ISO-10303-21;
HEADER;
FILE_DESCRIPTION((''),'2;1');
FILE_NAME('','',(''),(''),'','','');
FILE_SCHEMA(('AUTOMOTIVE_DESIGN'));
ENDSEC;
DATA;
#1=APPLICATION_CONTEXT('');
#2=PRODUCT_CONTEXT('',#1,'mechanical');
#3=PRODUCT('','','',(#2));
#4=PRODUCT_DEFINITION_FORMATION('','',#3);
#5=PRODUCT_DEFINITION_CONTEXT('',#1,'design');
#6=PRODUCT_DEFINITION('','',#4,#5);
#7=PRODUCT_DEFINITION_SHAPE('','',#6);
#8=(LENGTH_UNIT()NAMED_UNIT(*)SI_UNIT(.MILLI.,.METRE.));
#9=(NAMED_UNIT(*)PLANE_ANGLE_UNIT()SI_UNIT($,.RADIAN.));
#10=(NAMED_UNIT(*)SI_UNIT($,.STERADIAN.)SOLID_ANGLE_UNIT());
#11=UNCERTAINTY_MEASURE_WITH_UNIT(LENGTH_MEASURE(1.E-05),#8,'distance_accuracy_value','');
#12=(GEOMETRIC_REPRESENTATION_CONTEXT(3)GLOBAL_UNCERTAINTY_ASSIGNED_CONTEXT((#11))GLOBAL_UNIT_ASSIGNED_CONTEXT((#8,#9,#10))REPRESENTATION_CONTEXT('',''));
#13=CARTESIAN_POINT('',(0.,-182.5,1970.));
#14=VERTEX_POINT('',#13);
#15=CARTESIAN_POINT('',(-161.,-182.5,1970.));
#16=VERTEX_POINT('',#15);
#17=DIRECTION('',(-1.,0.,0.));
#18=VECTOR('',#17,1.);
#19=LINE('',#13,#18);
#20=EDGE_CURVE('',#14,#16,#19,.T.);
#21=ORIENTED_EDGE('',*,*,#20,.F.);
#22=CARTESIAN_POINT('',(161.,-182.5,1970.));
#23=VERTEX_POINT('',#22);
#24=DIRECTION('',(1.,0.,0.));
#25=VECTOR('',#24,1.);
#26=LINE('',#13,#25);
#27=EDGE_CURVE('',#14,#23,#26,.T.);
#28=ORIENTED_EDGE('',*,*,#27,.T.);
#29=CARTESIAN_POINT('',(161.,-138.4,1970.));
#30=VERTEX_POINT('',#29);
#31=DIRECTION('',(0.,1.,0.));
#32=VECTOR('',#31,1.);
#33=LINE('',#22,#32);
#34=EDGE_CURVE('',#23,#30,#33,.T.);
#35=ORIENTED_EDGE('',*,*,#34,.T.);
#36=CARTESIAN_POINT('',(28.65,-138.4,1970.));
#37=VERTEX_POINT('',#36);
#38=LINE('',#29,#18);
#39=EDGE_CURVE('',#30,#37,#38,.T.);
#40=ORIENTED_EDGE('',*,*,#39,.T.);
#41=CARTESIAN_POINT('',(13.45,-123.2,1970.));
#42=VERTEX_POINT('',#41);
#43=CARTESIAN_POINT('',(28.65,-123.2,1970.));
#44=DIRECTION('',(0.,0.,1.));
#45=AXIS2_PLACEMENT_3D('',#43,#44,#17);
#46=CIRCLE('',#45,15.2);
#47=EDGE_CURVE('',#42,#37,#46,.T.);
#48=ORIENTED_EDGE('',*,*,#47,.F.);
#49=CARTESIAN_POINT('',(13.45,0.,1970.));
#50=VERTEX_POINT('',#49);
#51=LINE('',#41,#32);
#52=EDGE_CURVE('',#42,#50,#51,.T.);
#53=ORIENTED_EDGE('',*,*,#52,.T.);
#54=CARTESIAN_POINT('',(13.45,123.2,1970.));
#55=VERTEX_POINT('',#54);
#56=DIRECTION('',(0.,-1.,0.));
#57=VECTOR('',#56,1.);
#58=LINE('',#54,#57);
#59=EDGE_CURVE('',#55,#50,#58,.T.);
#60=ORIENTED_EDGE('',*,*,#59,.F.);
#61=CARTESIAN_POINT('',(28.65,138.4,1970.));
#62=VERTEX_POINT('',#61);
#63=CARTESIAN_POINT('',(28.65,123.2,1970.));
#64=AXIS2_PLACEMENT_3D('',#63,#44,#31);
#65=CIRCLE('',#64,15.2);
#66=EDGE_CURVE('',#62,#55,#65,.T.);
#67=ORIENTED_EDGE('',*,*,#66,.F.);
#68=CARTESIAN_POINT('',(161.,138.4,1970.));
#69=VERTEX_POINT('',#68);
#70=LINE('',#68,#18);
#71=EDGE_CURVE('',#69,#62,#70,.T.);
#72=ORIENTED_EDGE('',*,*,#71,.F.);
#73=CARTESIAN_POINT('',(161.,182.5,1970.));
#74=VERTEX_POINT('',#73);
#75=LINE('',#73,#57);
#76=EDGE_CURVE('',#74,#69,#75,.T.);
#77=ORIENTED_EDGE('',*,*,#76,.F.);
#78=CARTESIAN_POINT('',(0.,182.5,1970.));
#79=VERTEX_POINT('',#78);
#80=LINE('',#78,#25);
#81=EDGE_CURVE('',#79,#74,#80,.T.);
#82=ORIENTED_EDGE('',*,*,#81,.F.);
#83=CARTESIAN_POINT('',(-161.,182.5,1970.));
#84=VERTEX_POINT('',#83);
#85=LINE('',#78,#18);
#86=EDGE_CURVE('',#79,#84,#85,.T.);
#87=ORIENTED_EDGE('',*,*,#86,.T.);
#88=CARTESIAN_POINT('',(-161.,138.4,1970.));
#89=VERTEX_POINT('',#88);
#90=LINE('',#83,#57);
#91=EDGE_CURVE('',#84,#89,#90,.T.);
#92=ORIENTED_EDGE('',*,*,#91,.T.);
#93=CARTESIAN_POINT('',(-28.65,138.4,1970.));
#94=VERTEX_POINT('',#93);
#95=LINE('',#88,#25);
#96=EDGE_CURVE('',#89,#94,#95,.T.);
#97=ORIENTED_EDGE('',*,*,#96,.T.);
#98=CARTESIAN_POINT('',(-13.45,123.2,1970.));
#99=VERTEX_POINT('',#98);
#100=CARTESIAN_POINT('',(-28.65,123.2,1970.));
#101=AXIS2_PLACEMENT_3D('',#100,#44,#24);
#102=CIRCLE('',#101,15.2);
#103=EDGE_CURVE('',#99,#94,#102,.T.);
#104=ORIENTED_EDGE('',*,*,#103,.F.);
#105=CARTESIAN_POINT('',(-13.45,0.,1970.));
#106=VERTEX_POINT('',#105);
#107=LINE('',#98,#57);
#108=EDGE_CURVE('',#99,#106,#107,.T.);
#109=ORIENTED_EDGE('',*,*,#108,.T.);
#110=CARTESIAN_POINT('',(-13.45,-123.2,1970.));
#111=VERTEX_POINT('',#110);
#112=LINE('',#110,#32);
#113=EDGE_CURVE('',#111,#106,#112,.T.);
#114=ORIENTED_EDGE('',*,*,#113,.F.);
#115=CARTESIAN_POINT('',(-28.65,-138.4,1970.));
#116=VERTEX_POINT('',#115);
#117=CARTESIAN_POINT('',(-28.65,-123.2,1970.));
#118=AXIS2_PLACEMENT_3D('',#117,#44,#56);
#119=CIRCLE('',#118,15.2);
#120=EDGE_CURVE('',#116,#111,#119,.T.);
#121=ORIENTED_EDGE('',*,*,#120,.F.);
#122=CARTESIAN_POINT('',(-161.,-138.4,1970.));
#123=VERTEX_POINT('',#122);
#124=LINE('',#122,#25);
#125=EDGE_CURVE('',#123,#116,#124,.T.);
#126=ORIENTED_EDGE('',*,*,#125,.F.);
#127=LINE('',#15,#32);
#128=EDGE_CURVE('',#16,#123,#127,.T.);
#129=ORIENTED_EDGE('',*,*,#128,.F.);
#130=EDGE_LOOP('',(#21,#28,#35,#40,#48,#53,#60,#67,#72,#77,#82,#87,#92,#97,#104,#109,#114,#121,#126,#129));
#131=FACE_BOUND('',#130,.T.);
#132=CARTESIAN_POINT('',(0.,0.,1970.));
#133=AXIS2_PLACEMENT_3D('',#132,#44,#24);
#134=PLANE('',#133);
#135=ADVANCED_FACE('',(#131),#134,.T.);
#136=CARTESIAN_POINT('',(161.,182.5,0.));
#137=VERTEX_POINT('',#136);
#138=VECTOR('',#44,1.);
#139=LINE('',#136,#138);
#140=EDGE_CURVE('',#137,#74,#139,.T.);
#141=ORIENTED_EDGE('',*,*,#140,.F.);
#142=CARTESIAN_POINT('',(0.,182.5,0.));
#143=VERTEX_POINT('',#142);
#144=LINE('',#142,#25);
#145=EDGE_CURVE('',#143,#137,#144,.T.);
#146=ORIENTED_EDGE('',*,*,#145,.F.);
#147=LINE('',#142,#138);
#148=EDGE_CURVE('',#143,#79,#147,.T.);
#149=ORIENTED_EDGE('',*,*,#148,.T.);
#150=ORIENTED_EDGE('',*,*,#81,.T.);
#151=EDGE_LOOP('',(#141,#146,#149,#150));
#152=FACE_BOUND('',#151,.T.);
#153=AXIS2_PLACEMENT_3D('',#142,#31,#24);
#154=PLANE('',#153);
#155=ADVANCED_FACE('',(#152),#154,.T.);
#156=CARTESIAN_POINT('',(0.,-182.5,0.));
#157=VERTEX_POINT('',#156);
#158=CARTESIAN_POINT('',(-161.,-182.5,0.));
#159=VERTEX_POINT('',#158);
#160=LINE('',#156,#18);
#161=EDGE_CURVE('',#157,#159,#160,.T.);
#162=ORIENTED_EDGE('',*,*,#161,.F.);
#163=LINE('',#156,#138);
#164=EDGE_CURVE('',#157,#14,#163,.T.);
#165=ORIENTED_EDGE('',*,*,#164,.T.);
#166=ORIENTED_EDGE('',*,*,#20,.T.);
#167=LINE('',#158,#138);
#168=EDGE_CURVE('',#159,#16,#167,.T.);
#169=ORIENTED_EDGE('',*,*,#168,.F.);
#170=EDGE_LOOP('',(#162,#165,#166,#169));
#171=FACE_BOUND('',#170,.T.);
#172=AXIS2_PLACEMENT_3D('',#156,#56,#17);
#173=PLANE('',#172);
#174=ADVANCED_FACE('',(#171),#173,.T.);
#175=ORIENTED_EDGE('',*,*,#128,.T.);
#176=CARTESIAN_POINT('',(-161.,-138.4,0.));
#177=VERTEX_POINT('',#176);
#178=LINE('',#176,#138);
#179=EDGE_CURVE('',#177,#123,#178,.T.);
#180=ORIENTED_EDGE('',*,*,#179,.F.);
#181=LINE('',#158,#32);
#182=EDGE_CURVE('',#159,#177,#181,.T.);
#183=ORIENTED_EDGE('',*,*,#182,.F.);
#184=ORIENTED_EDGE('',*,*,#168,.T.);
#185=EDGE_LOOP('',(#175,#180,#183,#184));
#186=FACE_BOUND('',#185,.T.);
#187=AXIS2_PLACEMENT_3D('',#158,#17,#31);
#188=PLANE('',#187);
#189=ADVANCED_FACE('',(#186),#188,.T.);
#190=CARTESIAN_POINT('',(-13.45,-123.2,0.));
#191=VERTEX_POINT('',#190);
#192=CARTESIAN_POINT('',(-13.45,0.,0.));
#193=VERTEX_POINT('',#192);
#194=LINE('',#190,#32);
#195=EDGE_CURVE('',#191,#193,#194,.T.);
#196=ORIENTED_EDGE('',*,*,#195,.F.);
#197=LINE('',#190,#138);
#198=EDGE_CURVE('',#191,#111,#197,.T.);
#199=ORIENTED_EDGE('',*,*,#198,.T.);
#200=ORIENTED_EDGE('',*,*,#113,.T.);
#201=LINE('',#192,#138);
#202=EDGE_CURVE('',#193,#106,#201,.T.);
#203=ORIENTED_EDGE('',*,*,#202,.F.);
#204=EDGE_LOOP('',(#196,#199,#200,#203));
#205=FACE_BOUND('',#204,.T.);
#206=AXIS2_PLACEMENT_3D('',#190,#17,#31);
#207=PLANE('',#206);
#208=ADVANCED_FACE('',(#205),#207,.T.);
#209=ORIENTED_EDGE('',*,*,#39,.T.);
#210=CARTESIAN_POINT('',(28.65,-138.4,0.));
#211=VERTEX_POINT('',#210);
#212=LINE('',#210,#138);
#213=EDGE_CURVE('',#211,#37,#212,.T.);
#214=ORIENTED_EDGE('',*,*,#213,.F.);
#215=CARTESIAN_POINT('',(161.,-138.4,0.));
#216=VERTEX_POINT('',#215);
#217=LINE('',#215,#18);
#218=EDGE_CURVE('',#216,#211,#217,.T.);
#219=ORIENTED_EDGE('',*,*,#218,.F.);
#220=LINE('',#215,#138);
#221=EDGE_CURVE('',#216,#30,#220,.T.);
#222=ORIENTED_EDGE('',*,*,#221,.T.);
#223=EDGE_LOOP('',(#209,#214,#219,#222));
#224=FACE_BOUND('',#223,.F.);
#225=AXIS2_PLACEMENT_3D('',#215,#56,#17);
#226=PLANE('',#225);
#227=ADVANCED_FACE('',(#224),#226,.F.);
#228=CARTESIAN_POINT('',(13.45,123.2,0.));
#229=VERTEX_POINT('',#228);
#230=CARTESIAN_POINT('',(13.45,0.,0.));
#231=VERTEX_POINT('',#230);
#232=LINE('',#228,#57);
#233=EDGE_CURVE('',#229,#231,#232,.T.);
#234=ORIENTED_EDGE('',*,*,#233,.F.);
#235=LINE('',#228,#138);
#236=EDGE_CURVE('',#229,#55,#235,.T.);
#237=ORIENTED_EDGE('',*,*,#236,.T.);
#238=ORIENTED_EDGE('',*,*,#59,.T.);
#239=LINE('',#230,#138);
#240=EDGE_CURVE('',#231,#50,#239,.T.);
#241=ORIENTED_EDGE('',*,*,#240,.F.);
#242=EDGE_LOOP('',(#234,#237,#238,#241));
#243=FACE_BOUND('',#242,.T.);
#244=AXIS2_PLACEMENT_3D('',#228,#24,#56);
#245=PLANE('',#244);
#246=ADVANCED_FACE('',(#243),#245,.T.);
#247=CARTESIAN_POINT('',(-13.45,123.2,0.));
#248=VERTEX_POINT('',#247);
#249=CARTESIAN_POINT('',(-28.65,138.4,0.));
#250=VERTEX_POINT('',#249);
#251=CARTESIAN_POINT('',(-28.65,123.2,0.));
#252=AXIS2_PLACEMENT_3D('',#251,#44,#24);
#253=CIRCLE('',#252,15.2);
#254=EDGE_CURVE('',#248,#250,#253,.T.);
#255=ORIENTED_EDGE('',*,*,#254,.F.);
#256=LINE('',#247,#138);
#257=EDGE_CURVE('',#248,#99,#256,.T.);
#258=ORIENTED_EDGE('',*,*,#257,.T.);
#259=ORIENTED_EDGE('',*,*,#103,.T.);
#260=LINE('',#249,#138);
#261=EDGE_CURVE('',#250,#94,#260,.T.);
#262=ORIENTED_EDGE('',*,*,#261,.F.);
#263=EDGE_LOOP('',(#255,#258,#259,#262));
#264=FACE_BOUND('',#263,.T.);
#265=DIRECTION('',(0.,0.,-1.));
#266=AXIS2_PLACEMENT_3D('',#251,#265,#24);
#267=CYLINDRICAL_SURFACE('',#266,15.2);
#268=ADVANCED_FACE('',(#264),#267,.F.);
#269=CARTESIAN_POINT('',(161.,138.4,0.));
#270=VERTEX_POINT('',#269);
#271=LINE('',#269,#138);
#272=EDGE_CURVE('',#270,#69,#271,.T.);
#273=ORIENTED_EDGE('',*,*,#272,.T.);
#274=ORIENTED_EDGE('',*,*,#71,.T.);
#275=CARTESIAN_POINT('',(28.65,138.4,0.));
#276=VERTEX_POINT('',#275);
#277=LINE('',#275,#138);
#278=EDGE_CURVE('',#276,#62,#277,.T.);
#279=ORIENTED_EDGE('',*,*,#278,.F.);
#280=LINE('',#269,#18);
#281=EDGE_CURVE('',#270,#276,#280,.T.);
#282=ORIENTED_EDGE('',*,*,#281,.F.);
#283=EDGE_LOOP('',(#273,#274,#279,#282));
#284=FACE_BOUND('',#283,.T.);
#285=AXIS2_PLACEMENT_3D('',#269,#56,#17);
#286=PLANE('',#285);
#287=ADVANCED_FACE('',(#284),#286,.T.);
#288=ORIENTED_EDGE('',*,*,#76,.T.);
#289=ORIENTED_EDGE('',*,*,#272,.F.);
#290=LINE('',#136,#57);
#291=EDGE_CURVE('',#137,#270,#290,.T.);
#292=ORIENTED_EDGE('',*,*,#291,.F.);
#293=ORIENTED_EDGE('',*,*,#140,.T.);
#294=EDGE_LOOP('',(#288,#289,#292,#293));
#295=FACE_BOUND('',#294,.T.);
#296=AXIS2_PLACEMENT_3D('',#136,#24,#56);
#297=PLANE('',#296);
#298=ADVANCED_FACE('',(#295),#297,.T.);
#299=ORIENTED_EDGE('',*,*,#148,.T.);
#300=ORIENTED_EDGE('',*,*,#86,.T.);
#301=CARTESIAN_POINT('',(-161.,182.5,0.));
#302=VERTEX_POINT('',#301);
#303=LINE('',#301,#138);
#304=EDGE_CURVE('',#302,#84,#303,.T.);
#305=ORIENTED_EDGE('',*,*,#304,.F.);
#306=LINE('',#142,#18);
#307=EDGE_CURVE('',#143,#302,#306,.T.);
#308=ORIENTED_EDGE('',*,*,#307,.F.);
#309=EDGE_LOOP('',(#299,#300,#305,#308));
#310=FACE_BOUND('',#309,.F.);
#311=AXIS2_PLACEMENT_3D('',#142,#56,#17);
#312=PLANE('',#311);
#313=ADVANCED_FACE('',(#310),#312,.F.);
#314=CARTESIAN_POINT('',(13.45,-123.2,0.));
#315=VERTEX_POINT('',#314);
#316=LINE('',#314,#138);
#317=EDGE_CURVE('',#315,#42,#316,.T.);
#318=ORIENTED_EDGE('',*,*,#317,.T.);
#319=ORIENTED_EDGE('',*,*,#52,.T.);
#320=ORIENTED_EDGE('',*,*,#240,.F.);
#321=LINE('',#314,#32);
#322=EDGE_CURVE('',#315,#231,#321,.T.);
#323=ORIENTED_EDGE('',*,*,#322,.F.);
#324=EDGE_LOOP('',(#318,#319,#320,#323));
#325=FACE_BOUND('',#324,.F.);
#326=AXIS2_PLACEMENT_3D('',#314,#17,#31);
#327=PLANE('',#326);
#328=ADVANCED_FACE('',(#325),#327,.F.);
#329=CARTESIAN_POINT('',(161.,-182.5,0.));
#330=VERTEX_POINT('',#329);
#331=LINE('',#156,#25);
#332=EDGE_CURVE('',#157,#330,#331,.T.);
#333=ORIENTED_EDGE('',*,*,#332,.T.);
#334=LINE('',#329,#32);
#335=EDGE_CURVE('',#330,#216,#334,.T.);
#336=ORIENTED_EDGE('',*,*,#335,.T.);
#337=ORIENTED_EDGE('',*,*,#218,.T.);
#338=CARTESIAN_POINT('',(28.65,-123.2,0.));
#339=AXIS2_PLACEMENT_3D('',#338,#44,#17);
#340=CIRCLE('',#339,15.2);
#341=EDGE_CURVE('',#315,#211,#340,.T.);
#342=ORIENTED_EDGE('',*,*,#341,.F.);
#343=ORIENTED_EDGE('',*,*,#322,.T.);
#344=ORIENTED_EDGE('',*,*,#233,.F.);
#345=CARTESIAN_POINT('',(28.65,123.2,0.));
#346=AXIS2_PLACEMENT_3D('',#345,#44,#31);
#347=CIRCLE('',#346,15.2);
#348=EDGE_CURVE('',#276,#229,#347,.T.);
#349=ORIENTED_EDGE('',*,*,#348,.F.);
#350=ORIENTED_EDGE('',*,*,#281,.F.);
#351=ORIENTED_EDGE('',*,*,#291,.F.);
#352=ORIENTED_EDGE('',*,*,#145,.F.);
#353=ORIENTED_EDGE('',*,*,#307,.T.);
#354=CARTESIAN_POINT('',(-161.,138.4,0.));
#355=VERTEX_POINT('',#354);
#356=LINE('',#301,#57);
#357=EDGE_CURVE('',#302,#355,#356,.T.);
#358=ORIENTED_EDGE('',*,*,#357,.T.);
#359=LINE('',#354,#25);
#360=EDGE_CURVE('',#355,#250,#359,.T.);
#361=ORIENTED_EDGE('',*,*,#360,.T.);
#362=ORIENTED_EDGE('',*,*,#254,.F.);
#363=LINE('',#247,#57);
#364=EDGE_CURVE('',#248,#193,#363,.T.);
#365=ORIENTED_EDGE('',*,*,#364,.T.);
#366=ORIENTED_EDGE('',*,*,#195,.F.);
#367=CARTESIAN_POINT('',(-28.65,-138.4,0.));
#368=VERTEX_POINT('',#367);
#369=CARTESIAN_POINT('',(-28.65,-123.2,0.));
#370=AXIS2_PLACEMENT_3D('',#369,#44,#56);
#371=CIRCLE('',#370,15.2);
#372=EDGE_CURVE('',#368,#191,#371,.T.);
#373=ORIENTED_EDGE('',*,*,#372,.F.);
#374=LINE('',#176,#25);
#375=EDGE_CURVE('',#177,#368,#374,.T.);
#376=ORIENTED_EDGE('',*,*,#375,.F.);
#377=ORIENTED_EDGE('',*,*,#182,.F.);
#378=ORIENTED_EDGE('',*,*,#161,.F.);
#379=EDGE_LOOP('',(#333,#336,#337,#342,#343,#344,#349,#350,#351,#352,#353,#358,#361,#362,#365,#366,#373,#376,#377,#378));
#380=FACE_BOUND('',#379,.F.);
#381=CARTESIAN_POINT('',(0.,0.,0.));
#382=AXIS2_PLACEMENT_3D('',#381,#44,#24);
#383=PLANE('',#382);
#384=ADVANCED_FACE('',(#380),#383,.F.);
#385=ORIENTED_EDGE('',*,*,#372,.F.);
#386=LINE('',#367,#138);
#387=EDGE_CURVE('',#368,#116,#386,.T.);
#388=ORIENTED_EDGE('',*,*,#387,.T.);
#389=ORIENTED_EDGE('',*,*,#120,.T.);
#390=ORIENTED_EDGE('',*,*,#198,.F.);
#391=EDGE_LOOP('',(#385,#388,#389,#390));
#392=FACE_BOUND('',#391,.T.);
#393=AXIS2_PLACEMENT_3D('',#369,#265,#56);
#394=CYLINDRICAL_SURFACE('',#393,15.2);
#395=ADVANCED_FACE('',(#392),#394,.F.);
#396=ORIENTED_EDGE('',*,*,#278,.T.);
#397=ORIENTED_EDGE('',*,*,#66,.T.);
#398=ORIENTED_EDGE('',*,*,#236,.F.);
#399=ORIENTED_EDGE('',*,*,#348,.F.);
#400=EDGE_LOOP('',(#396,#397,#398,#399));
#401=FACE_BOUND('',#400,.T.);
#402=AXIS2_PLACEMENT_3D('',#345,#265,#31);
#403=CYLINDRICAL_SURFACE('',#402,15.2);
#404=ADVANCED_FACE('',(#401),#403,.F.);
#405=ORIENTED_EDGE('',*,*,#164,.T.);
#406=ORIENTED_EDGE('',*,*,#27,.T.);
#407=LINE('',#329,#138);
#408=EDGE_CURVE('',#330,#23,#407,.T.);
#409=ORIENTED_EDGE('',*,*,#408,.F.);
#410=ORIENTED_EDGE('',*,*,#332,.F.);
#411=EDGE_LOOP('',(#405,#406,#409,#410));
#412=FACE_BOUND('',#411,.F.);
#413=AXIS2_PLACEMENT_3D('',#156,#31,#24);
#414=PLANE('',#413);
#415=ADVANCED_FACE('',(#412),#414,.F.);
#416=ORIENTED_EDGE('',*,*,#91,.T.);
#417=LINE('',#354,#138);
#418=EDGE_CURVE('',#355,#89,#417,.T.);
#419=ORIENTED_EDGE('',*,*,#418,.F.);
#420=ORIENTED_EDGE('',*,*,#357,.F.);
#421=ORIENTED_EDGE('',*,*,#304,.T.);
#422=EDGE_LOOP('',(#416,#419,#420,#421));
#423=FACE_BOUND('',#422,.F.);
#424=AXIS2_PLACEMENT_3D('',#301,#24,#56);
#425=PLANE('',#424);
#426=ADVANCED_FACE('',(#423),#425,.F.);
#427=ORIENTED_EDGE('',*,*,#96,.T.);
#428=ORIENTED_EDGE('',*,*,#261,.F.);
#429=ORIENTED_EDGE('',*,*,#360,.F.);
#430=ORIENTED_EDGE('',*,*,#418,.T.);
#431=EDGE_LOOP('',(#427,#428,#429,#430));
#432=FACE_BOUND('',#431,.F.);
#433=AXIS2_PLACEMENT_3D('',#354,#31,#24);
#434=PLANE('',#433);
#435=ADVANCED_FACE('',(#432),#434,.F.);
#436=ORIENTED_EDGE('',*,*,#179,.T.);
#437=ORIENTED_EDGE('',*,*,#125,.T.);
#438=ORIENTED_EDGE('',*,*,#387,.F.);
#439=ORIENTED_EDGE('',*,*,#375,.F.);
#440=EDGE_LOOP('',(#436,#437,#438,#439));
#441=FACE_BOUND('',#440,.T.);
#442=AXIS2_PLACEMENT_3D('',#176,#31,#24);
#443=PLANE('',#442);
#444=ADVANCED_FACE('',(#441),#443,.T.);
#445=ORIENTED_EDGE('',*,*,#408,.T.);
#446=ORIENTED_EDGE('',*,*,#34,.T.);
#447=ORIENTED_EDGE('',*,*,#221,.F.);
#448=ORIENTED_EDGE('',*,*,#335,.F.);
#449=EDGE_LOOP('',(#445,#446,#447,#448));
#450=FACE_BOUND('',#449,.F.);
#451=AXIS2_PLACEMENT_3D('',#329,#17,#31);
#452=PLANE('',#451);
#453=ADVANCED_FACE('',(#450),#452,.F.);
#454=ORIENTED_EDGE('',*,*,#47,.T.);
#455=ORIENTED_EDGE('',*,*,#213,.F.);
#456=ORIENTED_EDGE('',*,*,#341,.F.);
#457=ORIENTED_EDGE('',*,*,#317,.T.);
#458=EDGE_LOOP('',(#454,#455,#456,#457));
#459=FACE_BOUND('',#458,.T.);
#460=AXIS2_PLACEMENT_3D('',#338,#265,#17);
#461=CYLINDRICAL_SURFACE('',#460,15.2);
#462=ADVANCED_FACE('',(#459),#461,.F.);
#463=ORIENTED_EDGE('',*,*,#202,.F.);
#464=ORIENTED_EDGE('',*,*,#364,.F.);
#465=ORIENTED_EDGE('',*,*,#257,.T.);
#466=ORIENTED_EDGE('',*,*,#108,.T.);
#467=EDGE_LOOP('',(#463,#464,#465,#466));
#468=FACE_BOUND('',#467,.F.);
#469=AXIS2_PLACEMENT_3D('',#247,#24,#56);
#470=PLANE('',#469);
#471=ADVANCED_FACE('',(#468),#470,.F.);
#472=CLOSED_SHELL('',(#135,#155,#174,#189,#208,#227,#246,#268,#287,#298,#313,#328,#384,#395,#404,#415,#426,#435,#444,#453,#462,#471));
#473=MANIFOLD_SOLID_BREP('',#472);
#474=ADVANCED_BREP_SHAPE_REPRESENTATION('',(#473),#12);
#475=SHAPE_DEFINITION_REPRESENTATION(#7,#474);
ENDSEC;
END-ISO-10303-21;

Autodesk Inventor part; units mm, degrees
ref_plane "YZ Plane" through (0, 0, 0) normal (1, 0, 0) x (0, 1, 0)
ref_plane "Start plane" through (0, 0, 0) normal (0, 0, 1) x (1, 0, 0)
ref_plane "End plane" through (0, 0, 1970) normal (0, 0, 1) x (1, 0, 0)
sketch "Sketch" plane through (0, 0, 0) normal (0, 0, 1) x (1, 0, 0)
  line L0 (-161, -182.5) -> (-161, -138.4)
  line L1 (-161, -138.4) -> (-28.65, -138.4)
  line L2 (-13.45, -123.2) -> (-13.45, 0)
  line L3 (-13.45, 0) -> (0, 0) construction
  line L4 (0, 0) -> (0, -182.5) construction
  line L5 (0, -182.5) -> (-161, -182.5)
  line L6 (-60, 0) -> (80, 0) construction
  line L7 (0, -60) -> (0, 80) construction
  line L8 (161, -182.5) -> (161, -138.4)
  line L9 (161, -138.4) -> (28.65, -138.4)
  line L10 (13.45, -123.2) -> (13.45, 0)
  line L11 (13.45, 0) -> (0, 0) construction
  line L12 (0, -182.5) -> (161, -182.5)
  line L13 (-161, 182.5) -> (-161, 138.4)
  line L14 (-161, 138.4) -> (-28.65, 138.4)
  line L15 (-13.45, 123.2) -> (-13.45, 0)
  line L16 (0, 182.5) -> (-161, 182.5)
  line L17 (161, 182.5) -> (161, 138.4)
  line L18 (161, 138.4) -> (28.65, 138.4)
  line L19 (0, 182.5) -> (161, 182.5)
  line L20 (13.45, 123.2) -> (13.45, 0)
  arc A0 (-13.45, 123.2) -> (-28.65, 138.4) centre (-28.65, 123.2) ccw
  arc A1 (28.65, 138.4) -> (13.45, 123.2) centre (28.65, 123.2) ccw
  arc A2 (13.45, -123.2) -> (28.65, -138.4) centre (28.65, -123.2) ccw
  arc A3 (-28.65, -138.4) -> (-13.45, -123.2) centre (-28.65, -123.2) ccw
  line L21 (0, 108) -> (0, -88) construction
  line L22 (-88, 0) -> (108, 0) construction
  point P0 (-13.45, -138.4)
  point P1 (13.45, -138.4)
  point P2 (-13.45, 138.4)
  point P3 (13.45, 138.4)
  dimension "d1" = 182.5
  dimension "d2" = 44.1
  dimension "d3" = 161
  dimension "d4" = 13.45
  dimension "d10" = 15.2
extrude "Body" add sketch "Sketch" along normal up to surface (1970 mm away) from surface at 0
sketch "Sketch4" plane through (0, 0, 0) normal (0, 0, 1) x (1, 0, 0)
  line L0 (0, 0) -> (10, 0)
ref_plane "Work Plane3" through (0, 0, 0) normal (0, -1, 0) x (1, 0, 0)
sketch "Sketch5" plane through (0, 0, 0) normal (0, -1, 0) x (1, 0, 0)
  line L0 (-2, 0) -> (12, 0) projected
  line L1 (-2, 1970) -> (12, 1970) projected
  dimension "d14" = 1970
equation "\"d1\" = 0.5 * G_H"
equation "\"d2\" = G_T1"
equation "\"d3\" = 0.5 * G_W"
equation "\"d4\" = 0.5 * G_T"
equation "\"d10\" = G_IR"
equation "\"d5\" = G_L"
equation "\"G_W\" = 322"
equation "\"G_H\" = 365"
equation "\"G_T\" = 26.9"
equation "\"G_T1\" = 44.1"
equation "\"G_IR\" = 15.2"
equation "\"G_L\" = d14"
equation "\"G_OFFSET_START\" = 0"
equation "\"G_OFFSET_END\" = 0"
properties part number "AS 3679 - 310 UC - 283 - 1970" material "Steel, Mild"
